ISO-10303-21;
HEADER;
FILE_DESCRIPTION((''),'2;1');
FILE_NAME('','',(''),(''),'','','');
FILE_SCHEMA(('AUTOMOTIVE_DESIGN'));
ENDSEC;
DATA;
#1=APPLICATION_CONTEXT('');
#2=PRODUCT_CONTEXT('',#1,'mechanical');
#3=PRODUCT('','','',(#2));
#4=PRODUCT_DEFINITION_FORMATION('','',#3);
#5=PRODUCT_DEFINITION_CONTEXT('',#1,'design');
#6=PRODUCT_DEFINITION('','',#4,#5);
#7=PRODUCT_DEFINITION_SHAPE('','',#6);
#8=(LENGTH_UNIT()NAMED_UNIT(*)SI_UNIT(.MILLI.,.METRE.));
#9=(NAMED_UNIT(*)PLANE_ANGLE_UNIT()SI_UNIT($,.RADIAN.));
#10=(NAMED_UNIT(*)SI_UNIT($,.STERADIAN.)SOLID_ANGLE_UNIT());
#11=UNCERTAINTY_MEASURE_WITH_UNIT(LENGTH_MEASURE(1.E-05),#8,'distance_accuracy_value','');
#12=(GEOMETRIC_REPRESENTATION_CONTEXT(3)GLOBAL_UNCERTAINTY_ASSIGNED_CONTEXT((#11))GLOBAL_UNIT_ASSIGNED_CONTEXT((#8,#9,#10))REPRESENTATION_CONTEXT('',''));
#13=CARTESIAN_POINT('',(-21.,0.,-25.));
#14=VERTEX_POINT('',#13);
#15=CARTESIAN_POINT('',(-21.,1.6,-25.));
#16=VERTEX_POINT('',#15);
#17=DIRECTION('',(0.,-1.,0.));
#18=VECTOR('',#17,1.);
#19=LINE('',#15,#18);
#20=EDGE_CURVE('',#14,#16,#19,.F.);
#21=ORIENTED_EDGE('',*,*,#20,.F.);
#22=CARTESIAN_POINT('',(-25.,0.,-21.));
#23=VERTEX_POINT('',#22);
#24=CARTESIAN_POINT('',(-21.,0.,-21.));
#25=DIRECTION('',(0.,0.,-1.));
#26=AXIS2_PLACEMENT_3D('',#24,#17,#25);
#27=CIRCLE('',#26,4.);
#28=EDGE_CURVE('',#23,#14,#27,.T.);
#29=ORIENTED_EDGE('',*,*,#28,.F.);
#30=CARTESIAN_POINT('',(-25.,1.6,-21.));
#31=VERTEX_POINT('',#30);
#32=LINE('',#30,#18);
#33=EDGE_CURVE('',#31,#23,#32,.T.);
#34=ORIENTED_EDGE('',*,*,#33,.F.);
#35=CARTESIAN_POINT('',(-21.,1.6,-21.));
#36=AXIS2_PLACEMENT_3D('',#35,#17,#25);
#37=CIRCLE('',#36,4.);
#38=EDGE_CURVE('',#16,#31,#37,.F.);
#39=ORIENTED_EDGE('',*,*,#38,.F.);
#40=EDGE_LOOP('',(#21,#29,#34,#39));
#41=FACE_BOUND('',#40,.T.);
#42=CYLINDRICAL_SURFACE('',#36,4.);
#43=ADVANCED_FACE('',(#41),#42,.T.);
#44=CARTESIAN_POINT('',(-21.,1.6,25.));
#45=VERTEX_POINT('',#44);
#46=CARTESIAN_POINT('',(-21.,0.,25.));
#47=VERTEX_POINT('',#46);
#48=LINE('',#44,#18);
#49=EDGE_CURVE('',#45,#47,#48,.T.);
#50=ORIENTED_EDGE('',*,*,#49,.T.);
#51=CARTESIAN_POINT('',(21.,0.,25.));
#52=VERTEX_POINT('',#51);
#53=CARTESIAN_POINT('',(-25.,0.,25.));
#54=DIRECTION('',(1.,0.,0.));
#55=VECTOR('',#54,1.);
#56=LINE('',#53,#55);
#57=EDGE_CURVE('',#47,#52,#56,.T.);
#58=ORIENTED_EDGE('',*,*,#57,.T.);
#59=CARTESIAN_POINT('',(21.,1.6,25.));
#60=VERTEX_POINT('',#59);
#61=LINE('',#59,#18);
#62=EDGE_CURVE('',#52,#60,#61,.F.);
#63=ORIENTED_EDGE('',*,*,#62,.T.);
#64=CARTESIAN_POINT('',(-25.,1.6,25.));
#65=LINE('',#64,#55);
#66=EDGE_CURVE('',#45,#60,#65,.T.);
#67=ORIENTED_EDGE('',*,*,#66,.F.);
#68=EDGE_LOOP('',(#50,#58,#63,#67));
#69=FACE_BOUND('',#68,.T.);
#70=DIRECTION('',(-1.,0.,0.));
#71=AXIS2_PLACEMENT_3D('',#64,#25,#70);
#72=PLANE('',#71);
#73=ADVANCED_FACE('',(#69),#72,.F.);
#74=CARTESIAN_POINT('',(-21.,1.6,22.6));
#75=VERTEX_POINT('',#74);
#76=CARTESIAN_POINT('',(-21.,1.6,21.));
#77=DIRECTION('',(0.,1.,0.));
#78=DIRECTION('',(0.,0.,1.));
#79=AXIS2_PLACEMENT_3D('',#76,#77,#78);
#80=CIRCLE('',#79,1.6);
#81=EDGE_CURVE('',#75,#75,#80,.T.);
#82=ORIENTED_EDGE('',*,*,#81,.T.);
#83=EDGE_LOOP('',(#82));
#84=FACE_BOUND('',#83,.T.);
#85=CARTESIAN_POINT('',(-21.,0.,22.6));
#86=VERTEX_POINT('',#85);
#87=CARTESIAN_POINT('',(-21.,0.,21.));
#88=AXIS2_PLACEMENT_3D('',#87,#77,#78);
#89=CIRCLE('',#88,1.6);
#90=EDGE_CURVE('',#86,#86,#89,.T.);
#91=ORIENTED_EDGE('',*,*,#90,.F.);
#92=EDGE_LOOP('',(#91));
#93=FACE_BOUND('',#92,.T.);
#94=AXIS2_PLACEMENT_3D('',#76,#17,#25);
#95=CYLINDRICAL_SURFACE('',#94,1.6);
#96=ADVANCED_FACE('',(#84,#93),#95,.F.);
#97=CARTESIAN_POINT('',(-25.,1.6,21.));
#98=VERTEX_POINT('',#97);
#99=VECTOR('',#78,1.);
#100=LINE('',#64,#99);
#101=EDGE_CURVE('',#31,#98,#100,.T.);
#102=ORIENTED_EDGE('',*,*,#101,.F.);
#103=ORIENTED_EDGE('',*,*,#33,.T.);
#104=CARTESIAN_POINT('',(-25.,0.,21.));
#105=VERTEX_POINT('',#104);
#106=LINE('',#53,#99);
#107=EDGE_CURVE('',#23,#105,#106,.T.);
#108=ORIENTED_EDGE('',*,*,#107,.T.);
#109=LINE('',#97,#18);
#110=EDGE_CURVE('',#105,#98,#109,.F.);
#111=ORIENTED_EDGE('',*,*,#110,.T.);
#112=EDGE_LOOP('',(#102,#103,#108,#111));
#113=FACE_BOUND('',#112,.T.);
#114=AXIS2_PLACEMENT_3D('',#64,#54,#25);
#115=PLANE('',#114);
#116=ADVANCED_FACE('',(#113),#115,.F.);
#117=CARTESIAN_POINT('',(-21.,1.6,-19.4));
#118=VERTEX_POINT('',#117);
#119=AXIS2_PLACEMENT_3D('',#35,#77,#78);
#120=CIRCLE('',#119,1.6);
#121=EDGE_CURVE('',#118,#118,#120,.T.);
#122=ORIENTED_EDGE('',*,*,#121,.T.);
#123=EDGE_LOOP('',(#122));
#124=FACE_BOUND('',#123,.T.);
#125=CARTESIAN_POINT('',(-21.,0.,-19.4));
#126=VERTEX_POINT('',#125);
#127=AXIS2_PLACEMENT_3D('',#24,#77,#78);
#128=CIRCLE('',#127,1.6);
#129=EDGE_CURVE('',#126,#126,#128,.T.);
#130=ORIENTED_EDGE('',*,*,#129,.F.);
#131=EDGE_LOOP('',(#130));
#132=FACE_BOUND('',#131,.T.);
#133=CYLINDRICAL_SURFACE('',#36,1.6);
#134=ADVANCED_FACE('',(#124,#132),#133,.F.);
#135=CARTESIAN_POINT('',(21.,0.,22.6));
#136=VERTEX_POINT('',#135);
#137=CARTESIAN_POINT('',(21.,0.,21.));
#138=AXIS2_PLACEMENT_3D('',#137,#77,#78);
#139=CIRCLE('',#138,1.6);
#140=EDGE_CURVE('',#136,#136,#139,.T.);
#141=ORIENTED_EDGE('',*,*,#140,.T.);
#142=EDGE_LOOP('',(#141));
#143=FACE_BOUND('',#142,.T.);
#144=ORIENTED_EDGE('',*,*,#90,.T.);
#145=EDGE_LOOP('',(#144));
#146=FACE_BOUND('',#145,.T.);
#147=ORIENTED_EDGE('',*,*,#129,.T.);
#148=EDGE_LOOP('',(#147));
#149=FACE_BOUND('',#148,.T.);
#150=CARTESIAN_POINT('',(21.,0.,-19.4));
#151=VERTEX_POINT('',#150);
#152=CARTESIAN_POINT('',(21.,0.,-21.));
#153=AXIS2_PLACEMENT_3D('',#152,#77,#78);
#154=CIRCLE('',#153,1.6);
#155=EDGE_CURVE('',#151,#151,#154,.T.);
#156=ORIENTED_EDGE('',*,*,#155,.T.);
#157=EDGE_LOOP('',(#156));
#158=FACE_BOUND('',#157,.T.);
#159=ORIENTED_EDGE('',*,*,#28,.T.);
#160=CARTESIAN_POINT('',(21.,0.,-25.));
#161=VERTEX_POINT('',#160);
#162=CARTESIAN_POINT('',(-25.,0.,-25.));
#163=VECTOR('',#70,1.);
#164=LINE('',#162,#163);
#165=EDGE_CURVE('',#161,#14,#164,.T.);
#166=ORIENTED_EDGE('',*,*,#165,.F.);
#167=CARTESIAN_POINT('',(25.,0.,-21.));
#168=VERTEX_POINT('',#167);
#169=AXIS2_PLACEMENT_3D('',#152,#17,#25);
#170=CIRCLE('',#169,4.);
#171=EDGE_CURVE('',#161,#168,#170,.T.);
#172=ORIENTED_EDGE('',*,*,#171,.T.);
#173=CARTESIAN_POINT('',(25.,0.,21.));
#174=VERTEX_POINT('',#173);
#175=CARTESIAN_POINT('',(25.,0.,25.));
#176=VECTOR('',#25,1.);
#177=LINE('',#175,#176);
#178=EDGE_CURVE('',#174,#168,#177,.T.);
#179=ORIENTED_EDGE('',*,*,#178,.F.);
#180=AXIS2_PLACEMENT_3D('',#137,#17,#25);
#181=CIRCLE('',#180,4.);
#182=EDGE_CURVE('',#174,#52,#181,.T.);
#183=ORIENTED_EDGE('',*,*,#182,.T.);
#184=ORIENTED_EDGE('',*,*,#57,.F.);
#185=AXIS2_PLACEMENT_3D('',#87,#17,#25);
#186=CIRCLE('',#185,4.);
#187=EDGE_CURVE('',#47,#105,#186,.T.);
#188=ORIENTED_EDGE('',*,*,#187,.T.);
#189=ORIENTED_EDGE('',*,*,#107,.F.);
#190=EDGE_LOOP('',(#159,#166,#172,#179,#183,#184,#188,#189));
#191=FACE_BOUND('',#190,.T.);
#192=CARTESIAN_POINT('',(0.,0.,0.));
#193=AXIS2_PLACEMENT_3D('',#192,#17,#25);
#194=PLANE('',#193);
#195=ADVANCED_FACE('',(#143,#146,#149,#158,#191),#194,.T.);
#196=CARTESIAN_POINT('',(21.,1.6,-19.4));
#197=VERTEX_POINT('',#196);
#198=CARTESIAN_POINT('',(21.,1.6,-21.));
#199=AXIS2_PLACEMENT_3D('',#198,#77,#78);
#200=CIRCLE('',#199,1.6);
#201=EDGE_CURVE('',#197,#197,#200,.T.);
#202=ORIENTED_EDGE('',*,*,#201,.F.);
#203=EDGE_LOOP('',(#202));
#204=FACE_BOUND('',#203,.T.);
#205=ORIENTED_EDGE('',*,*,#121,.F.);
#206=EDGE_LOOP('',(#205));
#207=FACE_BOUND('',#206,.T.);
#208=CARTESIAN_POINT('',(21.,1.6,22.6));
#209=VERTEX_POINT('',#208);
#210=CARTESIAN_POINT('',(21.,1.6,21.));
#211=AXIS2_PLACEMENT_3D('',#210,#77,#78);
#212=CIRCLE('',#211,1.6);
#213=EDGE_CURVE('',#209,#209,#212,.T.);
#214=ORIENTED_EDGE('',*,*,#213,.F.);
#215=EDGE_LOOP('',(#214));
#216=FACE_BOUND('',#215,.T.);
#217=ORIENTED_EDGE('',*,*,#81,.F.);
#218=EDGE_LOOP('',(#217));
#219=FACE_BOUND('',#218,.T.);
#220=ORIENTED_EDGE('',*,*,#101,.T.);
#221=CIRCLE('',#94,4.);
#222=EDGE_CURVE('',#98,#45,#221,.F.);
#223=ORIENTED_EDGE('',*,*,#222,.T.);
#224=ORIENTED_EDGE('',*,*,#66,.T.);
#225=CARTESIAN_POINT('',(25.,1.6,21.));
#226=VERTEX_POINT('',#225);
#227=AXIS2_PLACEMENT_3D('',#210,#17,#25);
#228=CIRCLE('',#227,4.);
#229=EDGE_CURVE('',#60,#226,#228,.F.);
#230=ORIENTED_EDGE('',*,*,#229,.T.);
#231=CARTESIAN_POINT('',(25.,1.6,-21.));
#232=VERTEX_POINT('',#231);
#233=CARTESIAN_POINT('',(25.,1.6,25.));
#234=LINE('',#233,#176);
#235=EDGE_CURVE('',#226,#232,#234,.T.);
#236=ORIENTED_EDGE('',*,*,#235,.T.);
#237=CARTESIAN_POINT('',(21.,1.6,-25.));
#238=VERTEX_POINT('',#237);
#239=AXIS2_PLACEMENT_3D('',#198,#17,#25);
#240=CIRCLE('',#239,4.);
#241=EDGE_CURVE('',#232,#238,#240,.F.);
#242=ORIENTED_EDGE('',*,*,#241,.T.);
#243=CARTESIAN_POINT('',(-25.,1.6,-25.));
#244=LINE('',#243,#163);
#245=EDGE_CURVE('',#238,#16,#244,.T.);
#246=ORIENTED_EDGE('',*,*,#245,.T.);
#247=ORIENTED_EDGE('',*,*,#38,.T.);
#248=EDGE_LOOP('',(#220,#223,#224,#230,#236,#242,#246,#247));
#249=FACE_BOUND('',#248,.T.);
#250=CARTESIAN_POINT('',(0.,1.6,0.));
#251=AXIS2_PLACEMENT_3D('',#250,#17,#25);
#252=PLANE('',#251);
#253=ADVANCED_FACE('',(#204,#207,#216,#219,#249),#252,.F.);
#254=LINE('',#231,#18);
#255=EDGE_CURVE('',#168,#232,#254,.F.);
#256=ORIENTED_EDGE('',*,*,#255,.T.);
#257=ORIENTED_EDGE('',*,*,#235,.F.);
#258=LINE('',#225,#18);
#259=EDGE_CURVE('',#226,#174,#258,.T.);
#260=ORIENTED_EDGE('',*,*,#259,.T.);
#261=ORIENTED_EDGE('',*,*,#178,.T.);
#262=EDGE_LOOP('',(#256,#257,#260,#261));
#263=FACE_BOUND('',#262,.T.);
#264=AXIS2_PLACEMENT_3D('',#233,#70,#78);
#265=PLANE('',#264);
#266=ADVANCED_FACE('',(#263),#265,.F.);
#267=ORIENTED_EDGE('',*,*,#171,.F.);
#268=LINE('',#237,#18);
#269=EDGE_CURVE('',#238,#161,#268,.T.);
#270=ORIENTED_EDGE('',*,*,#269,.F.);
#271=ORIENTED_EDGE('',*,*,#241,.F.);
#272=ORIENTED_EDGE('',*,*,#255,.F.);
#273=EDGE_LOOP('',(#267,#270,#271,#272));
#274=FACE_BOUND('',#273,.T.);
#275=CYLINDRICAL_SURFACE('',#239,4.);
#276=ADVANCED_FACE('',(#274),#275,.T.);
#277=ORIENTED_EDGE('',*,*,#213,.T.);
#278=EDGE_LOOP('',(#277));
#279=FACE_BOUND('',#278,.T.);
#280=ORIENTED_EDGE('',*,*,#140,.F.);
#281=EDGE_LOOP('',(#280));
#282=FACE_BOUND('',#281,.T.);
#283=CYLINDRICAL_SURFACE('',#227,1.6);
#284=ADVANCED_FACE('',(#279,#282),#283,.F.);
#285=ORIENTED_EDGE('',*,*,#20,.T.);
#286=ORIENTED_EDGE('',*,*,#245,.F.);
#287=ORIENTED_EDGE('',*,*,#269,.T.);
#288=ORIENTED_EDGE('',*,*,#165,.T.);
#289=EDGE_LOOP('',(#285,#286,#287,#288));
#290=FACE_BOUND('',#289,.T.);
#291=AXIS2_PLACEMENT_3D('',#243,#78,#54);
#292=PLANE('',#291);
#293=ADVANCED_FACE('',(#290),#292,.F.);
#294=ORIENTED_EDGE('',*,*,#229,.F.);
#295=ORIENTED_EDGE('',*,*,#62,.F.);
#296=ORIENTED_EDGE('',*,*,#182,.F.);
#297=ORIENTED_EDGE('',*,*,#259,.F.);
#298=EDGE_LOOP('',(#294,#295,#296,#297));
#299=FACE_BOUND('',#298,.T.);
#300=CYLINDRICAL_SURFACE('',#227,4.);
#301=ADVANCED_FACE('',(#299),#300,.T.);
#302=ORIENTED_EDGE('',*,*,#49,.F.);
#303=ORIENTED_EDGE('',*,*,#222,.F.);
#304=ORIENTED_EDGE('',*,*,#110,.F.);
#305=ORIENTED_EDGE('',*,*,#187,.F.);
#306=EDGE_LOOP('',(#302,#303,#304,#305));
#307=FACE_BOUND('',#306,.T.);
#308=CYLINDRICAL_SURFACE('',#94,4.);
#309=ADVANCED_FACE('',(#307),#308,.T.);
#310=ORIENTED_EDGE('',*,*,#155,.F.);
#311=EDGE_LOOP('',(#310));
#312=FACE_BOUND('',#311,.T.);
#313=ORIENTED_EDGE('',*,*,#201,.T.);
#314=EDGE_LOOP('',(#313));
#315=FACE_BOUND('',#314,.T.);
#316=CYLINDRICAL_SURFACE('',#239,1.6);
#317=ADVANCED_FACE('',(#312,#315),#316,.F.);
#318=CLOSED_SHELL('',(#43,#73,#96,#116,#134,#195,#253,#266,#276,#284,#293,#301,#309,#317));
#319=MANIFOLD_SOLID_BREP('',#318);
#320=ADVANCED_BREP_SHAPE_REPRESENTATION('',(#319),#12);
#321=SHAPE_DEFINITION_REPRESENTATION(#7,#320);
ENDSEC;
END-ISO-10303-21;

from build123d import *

# Parameters (mm, degrees)
ESBO_O1_W                = 50
ESBO_O1_H                = 50
ESBO_O1_R                = 1.6
RESSALTO_EXTRUS_O1_DEPTH = 1.6
FILETE1_R                = 4


with BuildPart() as part:
    # Esboço1 → Ressalto-extrusão1 (new body)
    with BuildSketch(Plane(origin=(0, 0, 0), x_dir=(1, 0, 0), z_dir=(0, 1, 0))):
        Rectangle(ESBO_O1_W, ESBO_O1_H)
        with Locations(Location((21, -21, 0), (0, 0, 270))):
            Circle(ESBO_O1_R, mode=Mode.SUBTRACT)
        with Locations(Location((21, 21, 0), (0, 0, 270))):
            Circle(ESBO_O1_R, mode=Mode.SUBTRACT)
        with Locations(Location((-21, 21, 0), (0, 0, 270))):
            Circle(ESBO_O1_R, mode=Mode.SUBTRACT)
        with Locations(Location((-21, -21, 0), (0, 0, 270))):
            Circle(ESBO_O1_R, mode=Mode.SUBTRACT)
    extrude(amount=RESSALTO_EXTRUS_O1_DEPTH)

    # Filete1
    filete1_edges = [part.edges().sort_by_distance(p)[0] for p in [
        (25, 0.8, 25),
        (-25, 0.8, 25),
        (-25, 0.8, -25),
        (25, 0.8, -25),
    ]]
    fillet(filete1_edges, radius=FILETE1_R)


solid = part.part
